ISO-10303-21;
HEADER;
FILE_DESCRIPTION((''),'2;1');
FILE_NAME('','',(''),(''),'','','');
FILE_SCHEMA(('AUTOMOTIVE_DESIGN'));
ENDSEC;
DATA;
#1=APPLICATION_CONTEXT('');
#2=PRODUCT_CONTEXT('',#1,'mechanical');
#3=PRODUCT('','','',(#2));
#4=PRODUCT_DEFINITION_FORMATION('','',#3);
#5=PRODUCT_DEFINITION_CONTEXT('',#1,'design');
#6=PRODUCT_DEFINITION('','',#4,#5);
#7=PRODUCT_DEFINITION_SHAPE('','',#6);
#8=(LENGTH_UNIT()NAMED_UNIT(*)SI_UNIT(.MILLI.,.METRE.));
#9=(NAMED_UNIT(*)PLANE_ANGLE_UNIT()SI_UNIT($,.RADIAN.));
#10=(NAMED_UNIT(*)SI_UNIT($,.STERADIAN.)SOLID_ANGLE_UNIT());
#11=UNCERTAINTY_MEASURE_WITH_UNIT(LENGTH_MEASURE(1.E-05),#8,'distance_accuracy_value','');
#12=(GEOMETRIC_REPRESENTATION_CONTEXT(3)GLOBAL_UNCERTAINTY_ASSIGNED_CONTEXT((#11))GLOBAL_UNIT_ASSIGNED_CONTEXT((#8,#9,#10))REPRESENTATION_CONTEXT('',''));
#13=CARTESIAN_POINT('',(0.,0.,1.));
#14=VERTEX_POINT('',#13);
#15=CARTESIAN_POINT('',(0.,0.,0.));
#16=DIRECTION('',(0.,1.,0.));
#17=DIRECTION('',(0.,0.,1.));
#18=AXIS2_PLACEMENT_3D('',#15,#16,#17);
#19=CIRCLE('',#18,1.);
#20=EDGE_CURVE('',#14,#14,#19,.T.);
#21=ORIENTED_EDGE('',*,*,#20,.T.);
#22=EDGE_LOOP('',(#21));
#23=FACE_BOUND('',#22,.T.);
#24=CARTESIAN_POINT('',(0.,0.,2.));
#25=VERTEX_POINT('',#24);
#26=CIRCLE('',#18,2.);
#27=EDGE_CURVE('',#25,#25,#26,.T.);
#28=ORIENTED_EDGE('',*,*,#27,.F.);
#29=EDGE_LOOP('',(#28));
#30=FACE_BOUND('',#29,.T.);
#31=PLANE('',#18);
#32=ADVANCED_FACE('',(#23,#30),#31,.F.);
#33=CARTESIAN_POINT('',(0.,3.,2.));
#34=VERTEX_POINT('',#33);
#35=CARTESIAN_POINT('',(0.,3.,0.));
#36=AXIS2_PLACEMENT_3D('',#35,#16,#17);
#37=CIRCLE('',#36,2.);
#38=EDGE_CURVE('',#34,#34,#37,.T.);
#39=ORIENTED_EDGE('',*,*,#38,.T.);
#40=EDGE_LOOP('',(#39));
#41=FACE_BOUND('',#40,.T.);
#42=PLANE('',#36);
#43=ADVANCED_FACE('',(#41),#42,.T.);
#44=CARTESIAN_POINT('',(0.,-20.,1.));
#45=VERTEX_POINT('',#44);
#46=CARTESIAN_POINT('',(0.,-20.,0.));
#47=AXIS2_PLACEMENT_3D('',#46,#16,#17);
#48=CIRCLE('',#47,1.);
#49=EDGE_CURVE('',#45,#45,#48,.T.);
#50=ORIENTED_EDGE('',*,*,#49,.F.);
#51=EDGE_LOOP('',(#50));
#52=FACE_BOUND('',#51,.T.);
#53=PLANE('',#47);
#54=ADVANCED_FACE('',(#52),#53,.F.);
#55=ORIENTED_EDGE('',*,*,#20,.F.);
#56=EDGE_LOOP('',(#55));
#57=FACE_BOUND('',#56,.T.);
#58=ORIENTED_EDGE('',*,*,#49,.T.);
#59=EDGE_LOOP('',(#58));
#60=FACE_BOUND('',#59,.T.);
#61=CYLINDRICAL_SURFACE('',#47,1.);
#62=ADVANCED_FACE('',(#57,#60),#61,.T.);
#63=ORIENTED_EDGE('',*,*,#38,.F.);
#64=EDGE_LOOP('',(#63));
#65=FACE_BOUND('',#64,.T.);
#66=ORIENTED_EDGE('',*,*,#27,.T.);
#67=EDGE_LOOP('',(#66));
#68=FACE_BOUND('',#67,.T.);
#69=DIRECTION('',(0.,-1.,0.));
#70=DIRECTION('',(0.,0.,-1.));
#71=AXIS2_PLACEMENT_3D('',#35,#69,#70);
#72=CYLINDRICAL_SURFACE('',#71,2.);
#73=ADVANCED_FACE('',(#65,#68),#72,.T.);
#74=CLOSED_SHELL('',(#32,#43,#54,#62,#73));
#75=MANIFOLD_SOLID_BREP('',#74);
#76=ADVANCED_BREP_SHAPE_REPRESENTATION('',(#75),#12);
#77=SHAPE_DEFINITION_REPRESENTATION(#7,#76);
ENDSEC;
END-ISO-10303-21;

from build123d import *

# Parameters (mm, degrees)
SKETCH1_R           = 2.000000064
BOSS_EXTRUDE1_DEPTH = 3.000000096
SKETCH1_3_R         = 1.000000032
BOSS_EXTRUDE2_DEPTH = 19.999999878


with BuildPart() as part:
    # Sketch1 → Boss-Extrude1 (new body)
    with BuildSketch(Plane(origin=(0, 0, 0), x_dir=(1, 0, 0), z_dir=(0, 1, 0))):
        Circle(SKETCH1_R)
    extrude(amount=BOSS_EXTRUDE1_DEPTH)

    # Sketch1<3> → Boss-Extrude2 (add)
    with BuildSketch(Plane(origin=(0, 0, 0), x_dir=(1, 0, 0), z_dir=(0, 1, 0))):
        Circle(SKETCH1_3_R)
    extrude(amount=-BOSS_EXTRUDE2_DEPTH)


solid = part.part
